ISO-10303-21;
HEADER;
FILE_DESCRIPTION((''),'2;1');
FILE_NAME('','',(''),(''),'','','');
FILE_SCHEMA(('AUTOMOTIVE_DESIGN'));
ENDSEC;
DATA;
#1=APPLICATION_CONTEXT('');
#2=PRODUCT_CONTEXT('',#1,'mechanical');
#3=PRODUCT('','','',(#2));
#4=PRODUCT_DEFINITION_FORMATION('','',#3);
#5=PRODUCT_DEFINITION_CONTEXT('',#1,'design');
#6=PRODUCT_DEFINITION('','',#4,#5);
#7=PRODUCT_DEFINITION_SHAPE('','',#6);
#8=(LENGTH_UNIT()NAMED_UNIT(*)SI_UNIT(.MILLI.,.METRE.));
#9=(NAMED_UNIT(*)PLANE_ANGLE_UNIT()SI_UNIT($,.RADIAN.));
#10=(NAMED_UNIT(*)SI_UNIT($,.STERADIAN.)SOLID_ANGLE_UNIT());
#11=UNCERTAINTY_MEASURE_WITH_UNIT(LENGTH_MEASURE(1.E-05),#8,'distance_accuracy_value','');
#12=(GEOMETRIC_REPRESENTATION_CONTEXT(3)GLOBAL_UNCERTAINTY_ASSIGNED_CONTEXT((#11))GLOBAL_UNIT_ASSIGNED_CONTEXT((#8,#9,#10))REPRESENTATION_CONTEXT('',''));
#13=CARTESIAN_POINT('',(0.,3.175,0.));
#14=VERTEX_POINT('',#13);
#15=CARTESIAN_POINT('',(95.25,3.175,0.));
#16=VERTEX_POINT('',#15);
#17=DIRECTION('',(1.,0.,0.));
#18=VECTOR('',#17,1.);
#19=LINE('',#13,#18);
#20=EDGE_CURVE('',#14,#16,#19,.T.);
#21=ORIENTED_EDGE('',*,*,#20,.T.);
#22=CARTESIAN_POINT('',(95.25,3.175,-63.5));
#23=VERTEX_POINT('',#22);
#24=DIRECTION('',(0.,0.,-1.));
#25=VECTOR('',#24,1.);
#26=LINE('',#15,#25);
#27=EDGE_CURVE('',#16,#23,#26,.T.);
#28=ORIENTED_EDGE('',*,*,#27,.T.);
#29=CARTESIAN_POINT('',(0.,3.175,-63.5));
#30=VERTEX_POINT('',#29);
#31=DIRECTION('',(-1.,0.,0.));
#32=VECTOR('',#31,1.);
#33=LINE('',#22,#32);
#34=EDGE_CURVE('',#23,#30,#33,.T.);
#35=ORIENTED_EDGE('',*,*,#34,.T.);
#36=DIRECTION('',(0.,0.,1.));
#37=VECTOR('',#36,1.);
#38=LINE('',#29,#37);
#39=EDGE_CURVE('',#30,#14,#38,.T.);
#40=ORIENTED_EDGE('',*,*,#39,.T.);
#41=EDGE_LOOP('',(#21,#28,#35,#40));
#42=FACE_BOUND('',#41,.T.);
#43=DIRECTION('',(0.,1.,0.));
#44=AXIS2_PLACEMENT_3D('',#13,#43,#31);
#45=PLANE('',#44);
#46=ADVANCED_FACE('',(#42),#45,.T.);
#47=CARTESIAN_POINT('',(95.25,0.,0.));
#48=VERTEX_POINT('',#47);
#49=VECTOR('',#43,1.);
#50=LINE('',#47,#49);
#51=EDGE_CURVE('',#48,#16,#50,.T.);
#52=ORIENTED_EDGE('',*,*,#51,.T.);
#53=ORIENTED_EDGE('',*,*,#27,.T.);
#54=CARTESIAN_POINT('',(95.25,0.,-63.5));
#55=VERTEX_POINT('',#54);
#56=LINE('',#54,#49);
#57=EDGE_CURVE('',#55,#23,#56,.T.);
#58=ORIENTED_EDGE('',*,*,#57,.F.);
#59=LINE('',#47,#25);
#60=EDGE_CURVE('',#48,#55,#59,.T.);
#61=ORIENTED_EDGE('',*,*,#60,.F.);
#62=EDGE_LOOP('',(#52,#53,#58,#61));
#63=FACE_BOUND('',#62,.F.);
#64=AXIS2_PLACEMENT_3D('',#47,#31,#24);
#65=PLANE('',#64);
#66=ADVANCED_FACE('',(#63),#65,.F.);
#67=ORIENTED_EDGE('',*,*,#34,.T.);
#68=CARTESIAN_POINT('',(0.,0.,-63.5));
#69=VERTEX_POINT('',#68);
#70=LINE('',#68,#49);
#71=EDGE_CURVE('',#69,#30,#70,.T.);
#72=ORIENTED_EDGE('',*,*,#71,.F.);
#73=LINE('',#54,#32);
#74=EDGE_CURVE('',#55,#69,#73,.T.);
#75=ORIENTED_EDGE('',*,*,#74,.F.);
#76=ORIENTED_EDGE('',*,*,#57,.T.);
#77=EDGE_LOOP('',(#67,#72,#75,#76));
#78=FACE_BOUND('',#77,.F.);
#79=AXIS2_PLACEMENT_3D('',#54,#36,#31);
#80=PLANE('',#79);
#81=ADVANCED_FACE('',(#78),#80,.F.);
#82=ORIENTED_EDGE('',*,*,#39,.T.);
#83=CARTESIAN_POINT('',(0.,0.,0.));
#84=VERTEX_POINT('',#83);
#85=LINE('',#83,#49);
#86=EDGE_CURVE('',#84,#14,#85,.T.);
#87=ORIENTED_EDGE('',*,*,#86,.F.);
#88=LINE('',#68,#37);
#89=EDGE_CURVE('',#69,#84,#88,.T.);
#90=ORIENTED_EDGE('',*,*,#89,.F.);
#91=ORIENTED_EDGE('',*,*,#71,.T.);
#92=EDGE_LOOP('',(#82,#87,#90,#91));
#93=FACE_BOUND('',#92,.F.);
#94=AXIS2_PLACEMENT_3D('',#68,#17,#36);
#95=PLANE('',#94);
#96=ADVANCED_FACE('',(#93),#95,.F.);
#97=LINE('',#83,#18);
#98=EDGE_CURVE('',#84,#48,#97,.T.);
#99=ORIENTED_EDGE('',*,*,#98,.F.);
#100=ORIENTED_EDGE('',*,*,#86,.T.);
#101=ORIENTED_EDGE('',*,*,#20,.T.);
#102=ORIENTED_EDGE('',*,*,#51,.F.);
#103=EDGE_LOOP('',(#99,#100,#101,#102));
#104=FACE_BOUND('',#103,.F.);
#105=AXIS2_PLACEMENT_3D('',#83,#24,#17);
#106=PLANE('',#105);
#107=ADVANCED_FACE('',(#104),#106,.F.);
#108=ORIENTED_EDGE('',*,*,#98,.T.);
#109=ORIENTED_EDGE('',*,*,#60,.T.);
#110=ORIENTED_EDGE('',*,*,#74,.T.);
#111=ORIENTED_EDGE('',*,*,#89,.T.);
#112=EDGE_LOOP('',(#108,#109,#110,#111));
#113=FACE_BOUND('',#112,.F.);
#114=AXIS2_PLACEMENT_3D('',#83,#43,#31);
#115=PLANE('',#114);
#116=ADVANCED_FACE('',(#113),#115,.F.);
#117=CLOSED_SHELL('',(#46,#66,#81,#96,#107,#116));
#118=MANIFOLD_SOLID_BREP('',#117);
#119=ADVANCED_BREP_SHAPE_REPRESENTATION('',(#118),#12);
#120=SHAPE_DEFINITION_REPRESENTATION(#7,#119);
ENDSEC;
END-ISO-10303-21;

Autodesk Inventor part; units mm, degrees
ref_plane "YZ Plane" through (0, 0, 0) normal (1, 0, 0) x (0, 1, 0)
ref_plane "XZ Plane" through (0, 0, 0) normal (0, 1, 0) x (-1, 0, 0)
ref_plane "XY Plane" through (0, 0, 0) normal (0, 0, 1) x (1, 0, 0)
sketch "Sketch1" plane through (0, 0, 0) normal (0, 1, 0) x (-1, 0, 0)
  line L0 (0, 0) -> (-95.25, 0)
  line L1 (-95.25, 0) -> (-95.25, -63.5)
  line L2 (-95.25, -63.5) -> (0, -63.5)
  line L3 (0, -63.5) -> (0, 0)
  dimension "d0" = 95.25
  dimension "d1" = 63.5
extrude "Extrusion1" add sketch "Sketch1" along normal blind 3.175
properties part number "motor spacer bracket"
